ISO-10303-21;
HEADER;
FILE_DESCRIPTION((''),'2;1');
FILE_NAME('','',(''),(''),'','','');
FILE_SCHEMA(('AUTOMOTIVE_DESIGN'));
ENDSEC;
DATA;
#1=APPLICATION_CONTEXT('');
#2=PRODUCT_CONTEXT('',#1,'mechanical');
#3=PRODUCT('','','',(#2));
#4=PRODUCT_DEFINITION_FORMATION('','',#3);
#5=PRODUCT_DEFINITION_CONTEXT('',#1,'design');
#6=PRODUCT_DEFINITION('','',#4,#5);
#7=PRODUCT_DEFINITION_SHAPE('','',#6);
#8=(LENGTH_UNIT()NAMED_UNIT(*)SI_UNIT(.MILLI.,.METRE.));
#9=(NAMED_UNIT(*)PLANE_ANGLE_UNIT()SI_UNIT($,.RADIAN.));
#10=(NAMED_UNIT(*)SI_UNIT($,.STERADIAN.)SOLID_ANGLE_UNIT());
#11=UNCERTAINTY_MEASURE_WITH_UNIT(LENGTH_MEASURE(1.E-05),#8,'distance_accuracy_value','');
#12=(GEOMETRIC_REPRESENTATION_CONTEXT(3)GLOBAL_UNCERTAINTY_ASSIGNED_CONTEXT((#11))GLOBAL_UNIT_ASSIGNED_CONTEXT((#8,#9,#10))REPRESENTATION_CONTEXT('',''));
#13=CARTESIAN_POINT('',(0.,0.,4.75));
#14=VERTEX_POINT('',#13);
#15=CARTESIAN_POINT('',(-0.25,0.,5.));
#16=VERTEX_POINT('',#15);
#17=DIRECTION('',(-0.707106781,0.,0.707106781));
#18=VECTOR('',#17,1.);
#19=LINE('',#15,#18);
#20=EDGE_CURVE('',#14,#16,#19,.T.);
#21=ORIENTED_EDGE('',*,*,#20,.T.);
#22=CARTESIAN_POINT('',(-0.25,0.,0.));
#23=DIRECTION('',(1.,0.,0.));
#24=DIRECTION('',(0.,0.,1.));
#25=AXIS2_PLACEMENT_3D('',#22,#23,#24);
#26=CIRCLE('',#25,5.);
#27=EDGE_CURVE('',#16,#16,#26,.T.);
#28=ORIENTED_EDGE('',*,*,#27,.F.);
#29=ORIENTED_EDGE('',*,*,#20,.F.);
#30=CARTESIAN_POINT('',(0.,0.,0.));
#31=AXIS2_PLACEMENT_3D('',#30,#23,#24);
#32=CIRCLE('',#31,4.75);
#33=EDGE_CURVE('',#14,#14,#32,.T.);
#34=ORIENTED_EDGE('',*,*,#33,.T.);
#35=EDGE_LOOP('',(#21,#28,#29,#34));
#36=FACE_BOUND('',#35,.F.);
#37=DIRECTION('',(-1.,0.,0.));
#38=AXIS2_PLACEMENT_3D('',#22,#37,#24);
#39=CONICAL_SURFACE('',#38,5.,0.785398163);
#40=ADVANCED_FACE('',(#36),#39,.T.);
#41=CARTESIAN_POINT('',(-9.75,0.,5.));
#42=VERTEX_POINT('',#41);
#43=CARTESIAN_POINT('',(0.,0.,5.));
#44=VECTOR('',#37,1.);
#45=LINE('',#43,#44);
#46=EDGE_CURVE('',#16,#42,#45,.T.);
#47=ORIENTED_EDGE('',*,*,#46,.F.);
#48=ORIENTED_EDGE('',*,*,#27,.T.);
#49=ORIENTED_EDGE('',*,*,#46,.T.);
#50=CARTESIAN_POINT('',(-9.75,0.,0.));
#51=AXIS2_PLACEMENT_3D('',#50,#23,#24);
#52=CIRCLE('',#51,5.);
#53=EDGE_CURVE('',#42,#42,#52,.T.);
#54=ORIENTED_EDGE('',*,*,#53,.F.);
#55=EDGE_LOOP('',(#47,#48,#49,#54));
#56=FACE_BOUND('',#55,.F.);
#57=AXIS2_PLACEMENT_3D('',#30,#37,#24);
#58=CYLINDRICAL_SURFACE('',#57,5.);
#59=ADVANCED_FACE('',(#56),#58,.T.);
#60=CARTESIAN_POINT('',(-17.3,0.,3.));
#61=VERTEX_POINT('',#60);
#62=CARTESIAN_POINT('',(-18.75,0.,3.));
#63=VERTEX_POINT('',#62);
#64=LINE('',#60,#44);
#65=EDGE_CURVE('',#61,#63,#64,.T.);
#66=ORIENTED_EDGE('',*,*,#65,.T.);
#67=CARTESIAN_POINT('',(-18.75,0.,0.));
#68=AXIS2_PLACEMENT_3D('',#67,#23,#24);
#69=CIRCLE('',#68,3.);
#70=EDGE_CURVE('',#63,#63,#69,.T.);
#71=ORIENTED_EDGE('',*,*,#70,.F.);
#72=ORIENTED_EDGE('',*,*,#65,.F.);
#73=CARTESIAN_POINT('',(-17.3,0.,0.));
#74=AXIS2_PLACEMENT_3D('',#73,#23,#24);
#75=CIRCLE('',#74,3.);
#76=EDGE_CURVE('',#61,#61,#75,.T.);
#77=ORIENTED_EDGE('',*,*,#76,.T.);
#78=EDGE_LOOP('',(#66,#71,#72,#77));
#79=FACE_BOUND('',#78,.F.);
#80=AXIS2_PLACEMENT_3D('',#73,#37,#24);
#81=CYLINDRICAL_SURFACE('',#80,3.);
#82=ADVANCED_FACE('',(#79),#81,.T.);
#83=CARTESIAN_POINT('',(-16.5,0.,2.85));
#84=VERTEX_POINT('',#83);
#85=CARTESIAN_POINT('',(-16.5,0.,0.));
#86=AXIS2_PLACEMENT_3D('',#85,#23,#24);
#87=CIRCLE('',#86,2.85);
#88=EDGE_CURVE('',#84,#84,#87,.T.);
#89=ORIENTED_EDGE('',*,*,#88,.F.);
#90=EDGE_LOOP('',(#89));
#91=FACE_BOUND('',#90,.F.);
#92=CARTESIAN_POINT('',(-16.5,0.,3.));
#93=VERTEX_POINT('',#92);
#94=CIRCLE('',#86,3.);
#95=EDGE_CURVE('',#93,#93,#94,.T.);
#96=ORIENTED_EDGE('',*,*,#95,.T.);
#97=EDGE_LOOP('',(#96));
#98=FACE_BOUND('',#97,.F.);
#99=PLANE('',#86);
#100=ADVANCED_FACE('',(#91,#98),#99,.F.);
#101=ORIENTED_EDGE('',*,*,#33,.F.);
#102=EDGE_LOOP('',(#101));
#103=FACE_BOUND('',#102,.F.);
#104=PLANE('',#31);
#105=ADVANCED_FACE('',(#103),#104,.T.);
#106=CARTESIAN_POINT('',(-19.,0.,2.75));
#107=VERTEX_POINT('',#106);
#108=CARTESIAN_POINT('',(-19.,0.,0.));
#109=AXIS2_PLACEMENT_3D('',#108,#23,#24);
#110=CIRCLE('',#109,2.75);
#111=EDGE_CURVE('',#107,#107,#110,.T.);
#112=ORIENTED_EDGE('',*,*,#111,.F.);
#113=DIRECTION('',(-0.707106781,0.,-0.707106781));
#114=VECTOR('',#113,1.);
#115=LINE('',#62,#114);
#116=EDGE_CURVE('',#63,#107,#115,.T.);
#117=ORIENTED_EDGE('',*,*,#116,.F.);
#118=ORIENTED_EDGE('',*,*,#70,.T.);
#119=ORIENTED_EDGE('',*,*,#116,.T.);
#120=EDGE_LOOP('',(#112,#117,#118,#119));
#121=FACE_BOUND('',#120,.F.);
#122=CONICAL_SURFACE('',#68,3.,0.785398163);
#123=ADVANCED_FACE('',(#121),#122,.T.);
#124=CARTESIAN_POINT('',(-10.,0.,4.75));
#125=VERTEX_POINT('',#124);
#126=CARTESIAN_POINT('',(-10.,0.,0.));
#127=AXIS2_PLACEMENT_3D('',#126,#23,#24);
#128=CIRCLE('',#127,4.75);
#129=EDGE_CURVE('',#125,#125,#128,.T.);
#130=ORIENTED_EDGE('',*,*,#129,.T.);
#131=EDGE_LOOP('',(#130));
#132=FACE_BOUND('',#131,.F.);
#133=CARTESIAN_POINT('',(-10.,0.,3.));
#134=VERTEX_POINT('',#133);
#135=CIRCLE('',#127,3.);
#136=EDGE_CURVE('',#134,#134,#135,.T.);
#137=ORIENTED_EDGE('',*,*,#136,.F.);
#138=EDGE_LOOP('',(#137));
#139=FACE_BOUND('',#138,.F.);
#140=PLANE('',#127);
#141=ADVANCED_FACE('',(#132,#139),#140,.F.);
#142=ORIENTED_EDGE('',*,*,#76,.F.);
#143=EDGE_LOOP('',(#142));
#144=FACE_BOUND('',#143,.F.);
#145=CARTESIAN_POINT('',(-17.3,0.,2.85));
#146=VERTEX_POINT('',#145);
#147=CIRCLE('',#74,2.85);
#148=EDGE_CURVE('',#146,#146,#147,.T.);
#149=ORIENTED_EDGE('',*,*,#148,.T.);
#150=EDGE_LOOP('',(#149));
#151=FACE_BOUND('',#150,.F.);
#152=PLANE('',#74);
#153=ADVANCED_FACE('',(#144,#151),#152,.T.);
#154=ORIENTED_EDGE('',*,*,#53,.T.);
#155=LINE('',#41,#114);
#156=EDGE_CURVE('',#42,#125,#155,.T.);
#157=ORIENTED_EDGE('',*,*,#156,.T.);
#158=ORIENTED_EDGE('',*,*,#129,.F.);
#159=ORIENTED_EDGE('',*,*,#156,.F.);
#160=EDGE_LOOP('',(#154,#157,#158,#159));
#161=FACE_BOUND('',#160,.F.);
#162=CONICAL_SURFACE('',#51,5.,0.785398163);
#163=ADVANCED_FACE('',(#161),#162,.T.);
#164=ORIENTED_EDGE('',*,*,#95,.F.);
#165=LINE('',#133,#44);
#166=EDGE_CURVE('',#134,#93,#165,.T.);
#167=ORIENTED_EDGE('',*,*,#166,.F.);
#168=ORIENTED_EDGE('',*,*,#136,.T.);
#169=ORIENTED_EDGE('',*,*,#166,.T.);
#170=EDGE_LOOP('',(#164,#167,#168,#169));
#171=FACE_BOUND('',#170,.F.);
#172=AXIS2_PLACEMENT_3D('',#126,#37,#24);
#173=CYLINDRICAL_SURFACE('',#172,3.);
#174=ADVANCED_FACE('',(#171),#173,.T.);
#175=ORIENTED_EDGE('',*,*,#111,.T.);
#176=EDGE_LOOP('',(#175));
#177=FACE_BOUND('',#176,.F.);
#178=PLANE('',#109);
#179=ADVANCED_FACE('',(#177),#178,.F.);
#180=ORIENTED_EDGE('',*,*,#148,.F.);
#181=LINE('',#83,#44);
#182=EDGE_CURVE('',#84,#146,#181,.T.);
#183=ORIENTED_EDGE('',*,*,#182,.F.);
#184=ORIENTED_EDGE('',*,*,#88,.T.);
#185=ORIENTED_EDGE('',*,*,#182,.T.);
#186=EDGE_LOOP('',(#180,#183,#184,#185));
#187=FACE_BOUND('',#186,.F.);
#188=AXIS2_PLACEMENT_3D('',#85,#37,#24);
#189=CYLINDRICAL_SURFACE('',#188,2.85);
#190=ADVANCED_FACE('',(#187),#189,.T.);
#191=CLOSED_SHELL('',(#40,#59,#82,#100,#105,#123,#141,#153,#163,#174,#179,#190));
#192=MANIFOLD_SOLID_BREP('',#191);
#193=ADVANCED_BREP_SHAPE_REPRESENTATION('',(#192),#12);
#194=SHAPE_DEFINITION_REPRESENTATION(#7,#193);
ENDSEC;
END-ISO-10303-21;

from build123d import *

# Parameters (mm, degrees)
F2_SIZE = 0.25


with BuildPart() as f1:
    # F0 (on Front) → F1 (revolve)
    with BuildSketch(Plane.XZ):
        Polygon((-19, 0), (0, 0), (0, 5), (-10, 5), (-10, 3), (-16.5, 3), (-16.5, 2.85), (-17.3, 2.85), (-17.3, 3), (-19, 3), align=None)
    revolve(axis=Axis((6.458773, 0, 0), (1, 0, 0)))

    # F2
    f2_edges = [f1.edges().sort_by_distance(p)[0] for p in [
        (0, 0, -5),
        (-10, 0, -5),
        (-5, 0, 5),
        (-19, 0, -3),
    ]]
    chamfer(f2_edges, length=F2_SIZE)


solid = f1.part
